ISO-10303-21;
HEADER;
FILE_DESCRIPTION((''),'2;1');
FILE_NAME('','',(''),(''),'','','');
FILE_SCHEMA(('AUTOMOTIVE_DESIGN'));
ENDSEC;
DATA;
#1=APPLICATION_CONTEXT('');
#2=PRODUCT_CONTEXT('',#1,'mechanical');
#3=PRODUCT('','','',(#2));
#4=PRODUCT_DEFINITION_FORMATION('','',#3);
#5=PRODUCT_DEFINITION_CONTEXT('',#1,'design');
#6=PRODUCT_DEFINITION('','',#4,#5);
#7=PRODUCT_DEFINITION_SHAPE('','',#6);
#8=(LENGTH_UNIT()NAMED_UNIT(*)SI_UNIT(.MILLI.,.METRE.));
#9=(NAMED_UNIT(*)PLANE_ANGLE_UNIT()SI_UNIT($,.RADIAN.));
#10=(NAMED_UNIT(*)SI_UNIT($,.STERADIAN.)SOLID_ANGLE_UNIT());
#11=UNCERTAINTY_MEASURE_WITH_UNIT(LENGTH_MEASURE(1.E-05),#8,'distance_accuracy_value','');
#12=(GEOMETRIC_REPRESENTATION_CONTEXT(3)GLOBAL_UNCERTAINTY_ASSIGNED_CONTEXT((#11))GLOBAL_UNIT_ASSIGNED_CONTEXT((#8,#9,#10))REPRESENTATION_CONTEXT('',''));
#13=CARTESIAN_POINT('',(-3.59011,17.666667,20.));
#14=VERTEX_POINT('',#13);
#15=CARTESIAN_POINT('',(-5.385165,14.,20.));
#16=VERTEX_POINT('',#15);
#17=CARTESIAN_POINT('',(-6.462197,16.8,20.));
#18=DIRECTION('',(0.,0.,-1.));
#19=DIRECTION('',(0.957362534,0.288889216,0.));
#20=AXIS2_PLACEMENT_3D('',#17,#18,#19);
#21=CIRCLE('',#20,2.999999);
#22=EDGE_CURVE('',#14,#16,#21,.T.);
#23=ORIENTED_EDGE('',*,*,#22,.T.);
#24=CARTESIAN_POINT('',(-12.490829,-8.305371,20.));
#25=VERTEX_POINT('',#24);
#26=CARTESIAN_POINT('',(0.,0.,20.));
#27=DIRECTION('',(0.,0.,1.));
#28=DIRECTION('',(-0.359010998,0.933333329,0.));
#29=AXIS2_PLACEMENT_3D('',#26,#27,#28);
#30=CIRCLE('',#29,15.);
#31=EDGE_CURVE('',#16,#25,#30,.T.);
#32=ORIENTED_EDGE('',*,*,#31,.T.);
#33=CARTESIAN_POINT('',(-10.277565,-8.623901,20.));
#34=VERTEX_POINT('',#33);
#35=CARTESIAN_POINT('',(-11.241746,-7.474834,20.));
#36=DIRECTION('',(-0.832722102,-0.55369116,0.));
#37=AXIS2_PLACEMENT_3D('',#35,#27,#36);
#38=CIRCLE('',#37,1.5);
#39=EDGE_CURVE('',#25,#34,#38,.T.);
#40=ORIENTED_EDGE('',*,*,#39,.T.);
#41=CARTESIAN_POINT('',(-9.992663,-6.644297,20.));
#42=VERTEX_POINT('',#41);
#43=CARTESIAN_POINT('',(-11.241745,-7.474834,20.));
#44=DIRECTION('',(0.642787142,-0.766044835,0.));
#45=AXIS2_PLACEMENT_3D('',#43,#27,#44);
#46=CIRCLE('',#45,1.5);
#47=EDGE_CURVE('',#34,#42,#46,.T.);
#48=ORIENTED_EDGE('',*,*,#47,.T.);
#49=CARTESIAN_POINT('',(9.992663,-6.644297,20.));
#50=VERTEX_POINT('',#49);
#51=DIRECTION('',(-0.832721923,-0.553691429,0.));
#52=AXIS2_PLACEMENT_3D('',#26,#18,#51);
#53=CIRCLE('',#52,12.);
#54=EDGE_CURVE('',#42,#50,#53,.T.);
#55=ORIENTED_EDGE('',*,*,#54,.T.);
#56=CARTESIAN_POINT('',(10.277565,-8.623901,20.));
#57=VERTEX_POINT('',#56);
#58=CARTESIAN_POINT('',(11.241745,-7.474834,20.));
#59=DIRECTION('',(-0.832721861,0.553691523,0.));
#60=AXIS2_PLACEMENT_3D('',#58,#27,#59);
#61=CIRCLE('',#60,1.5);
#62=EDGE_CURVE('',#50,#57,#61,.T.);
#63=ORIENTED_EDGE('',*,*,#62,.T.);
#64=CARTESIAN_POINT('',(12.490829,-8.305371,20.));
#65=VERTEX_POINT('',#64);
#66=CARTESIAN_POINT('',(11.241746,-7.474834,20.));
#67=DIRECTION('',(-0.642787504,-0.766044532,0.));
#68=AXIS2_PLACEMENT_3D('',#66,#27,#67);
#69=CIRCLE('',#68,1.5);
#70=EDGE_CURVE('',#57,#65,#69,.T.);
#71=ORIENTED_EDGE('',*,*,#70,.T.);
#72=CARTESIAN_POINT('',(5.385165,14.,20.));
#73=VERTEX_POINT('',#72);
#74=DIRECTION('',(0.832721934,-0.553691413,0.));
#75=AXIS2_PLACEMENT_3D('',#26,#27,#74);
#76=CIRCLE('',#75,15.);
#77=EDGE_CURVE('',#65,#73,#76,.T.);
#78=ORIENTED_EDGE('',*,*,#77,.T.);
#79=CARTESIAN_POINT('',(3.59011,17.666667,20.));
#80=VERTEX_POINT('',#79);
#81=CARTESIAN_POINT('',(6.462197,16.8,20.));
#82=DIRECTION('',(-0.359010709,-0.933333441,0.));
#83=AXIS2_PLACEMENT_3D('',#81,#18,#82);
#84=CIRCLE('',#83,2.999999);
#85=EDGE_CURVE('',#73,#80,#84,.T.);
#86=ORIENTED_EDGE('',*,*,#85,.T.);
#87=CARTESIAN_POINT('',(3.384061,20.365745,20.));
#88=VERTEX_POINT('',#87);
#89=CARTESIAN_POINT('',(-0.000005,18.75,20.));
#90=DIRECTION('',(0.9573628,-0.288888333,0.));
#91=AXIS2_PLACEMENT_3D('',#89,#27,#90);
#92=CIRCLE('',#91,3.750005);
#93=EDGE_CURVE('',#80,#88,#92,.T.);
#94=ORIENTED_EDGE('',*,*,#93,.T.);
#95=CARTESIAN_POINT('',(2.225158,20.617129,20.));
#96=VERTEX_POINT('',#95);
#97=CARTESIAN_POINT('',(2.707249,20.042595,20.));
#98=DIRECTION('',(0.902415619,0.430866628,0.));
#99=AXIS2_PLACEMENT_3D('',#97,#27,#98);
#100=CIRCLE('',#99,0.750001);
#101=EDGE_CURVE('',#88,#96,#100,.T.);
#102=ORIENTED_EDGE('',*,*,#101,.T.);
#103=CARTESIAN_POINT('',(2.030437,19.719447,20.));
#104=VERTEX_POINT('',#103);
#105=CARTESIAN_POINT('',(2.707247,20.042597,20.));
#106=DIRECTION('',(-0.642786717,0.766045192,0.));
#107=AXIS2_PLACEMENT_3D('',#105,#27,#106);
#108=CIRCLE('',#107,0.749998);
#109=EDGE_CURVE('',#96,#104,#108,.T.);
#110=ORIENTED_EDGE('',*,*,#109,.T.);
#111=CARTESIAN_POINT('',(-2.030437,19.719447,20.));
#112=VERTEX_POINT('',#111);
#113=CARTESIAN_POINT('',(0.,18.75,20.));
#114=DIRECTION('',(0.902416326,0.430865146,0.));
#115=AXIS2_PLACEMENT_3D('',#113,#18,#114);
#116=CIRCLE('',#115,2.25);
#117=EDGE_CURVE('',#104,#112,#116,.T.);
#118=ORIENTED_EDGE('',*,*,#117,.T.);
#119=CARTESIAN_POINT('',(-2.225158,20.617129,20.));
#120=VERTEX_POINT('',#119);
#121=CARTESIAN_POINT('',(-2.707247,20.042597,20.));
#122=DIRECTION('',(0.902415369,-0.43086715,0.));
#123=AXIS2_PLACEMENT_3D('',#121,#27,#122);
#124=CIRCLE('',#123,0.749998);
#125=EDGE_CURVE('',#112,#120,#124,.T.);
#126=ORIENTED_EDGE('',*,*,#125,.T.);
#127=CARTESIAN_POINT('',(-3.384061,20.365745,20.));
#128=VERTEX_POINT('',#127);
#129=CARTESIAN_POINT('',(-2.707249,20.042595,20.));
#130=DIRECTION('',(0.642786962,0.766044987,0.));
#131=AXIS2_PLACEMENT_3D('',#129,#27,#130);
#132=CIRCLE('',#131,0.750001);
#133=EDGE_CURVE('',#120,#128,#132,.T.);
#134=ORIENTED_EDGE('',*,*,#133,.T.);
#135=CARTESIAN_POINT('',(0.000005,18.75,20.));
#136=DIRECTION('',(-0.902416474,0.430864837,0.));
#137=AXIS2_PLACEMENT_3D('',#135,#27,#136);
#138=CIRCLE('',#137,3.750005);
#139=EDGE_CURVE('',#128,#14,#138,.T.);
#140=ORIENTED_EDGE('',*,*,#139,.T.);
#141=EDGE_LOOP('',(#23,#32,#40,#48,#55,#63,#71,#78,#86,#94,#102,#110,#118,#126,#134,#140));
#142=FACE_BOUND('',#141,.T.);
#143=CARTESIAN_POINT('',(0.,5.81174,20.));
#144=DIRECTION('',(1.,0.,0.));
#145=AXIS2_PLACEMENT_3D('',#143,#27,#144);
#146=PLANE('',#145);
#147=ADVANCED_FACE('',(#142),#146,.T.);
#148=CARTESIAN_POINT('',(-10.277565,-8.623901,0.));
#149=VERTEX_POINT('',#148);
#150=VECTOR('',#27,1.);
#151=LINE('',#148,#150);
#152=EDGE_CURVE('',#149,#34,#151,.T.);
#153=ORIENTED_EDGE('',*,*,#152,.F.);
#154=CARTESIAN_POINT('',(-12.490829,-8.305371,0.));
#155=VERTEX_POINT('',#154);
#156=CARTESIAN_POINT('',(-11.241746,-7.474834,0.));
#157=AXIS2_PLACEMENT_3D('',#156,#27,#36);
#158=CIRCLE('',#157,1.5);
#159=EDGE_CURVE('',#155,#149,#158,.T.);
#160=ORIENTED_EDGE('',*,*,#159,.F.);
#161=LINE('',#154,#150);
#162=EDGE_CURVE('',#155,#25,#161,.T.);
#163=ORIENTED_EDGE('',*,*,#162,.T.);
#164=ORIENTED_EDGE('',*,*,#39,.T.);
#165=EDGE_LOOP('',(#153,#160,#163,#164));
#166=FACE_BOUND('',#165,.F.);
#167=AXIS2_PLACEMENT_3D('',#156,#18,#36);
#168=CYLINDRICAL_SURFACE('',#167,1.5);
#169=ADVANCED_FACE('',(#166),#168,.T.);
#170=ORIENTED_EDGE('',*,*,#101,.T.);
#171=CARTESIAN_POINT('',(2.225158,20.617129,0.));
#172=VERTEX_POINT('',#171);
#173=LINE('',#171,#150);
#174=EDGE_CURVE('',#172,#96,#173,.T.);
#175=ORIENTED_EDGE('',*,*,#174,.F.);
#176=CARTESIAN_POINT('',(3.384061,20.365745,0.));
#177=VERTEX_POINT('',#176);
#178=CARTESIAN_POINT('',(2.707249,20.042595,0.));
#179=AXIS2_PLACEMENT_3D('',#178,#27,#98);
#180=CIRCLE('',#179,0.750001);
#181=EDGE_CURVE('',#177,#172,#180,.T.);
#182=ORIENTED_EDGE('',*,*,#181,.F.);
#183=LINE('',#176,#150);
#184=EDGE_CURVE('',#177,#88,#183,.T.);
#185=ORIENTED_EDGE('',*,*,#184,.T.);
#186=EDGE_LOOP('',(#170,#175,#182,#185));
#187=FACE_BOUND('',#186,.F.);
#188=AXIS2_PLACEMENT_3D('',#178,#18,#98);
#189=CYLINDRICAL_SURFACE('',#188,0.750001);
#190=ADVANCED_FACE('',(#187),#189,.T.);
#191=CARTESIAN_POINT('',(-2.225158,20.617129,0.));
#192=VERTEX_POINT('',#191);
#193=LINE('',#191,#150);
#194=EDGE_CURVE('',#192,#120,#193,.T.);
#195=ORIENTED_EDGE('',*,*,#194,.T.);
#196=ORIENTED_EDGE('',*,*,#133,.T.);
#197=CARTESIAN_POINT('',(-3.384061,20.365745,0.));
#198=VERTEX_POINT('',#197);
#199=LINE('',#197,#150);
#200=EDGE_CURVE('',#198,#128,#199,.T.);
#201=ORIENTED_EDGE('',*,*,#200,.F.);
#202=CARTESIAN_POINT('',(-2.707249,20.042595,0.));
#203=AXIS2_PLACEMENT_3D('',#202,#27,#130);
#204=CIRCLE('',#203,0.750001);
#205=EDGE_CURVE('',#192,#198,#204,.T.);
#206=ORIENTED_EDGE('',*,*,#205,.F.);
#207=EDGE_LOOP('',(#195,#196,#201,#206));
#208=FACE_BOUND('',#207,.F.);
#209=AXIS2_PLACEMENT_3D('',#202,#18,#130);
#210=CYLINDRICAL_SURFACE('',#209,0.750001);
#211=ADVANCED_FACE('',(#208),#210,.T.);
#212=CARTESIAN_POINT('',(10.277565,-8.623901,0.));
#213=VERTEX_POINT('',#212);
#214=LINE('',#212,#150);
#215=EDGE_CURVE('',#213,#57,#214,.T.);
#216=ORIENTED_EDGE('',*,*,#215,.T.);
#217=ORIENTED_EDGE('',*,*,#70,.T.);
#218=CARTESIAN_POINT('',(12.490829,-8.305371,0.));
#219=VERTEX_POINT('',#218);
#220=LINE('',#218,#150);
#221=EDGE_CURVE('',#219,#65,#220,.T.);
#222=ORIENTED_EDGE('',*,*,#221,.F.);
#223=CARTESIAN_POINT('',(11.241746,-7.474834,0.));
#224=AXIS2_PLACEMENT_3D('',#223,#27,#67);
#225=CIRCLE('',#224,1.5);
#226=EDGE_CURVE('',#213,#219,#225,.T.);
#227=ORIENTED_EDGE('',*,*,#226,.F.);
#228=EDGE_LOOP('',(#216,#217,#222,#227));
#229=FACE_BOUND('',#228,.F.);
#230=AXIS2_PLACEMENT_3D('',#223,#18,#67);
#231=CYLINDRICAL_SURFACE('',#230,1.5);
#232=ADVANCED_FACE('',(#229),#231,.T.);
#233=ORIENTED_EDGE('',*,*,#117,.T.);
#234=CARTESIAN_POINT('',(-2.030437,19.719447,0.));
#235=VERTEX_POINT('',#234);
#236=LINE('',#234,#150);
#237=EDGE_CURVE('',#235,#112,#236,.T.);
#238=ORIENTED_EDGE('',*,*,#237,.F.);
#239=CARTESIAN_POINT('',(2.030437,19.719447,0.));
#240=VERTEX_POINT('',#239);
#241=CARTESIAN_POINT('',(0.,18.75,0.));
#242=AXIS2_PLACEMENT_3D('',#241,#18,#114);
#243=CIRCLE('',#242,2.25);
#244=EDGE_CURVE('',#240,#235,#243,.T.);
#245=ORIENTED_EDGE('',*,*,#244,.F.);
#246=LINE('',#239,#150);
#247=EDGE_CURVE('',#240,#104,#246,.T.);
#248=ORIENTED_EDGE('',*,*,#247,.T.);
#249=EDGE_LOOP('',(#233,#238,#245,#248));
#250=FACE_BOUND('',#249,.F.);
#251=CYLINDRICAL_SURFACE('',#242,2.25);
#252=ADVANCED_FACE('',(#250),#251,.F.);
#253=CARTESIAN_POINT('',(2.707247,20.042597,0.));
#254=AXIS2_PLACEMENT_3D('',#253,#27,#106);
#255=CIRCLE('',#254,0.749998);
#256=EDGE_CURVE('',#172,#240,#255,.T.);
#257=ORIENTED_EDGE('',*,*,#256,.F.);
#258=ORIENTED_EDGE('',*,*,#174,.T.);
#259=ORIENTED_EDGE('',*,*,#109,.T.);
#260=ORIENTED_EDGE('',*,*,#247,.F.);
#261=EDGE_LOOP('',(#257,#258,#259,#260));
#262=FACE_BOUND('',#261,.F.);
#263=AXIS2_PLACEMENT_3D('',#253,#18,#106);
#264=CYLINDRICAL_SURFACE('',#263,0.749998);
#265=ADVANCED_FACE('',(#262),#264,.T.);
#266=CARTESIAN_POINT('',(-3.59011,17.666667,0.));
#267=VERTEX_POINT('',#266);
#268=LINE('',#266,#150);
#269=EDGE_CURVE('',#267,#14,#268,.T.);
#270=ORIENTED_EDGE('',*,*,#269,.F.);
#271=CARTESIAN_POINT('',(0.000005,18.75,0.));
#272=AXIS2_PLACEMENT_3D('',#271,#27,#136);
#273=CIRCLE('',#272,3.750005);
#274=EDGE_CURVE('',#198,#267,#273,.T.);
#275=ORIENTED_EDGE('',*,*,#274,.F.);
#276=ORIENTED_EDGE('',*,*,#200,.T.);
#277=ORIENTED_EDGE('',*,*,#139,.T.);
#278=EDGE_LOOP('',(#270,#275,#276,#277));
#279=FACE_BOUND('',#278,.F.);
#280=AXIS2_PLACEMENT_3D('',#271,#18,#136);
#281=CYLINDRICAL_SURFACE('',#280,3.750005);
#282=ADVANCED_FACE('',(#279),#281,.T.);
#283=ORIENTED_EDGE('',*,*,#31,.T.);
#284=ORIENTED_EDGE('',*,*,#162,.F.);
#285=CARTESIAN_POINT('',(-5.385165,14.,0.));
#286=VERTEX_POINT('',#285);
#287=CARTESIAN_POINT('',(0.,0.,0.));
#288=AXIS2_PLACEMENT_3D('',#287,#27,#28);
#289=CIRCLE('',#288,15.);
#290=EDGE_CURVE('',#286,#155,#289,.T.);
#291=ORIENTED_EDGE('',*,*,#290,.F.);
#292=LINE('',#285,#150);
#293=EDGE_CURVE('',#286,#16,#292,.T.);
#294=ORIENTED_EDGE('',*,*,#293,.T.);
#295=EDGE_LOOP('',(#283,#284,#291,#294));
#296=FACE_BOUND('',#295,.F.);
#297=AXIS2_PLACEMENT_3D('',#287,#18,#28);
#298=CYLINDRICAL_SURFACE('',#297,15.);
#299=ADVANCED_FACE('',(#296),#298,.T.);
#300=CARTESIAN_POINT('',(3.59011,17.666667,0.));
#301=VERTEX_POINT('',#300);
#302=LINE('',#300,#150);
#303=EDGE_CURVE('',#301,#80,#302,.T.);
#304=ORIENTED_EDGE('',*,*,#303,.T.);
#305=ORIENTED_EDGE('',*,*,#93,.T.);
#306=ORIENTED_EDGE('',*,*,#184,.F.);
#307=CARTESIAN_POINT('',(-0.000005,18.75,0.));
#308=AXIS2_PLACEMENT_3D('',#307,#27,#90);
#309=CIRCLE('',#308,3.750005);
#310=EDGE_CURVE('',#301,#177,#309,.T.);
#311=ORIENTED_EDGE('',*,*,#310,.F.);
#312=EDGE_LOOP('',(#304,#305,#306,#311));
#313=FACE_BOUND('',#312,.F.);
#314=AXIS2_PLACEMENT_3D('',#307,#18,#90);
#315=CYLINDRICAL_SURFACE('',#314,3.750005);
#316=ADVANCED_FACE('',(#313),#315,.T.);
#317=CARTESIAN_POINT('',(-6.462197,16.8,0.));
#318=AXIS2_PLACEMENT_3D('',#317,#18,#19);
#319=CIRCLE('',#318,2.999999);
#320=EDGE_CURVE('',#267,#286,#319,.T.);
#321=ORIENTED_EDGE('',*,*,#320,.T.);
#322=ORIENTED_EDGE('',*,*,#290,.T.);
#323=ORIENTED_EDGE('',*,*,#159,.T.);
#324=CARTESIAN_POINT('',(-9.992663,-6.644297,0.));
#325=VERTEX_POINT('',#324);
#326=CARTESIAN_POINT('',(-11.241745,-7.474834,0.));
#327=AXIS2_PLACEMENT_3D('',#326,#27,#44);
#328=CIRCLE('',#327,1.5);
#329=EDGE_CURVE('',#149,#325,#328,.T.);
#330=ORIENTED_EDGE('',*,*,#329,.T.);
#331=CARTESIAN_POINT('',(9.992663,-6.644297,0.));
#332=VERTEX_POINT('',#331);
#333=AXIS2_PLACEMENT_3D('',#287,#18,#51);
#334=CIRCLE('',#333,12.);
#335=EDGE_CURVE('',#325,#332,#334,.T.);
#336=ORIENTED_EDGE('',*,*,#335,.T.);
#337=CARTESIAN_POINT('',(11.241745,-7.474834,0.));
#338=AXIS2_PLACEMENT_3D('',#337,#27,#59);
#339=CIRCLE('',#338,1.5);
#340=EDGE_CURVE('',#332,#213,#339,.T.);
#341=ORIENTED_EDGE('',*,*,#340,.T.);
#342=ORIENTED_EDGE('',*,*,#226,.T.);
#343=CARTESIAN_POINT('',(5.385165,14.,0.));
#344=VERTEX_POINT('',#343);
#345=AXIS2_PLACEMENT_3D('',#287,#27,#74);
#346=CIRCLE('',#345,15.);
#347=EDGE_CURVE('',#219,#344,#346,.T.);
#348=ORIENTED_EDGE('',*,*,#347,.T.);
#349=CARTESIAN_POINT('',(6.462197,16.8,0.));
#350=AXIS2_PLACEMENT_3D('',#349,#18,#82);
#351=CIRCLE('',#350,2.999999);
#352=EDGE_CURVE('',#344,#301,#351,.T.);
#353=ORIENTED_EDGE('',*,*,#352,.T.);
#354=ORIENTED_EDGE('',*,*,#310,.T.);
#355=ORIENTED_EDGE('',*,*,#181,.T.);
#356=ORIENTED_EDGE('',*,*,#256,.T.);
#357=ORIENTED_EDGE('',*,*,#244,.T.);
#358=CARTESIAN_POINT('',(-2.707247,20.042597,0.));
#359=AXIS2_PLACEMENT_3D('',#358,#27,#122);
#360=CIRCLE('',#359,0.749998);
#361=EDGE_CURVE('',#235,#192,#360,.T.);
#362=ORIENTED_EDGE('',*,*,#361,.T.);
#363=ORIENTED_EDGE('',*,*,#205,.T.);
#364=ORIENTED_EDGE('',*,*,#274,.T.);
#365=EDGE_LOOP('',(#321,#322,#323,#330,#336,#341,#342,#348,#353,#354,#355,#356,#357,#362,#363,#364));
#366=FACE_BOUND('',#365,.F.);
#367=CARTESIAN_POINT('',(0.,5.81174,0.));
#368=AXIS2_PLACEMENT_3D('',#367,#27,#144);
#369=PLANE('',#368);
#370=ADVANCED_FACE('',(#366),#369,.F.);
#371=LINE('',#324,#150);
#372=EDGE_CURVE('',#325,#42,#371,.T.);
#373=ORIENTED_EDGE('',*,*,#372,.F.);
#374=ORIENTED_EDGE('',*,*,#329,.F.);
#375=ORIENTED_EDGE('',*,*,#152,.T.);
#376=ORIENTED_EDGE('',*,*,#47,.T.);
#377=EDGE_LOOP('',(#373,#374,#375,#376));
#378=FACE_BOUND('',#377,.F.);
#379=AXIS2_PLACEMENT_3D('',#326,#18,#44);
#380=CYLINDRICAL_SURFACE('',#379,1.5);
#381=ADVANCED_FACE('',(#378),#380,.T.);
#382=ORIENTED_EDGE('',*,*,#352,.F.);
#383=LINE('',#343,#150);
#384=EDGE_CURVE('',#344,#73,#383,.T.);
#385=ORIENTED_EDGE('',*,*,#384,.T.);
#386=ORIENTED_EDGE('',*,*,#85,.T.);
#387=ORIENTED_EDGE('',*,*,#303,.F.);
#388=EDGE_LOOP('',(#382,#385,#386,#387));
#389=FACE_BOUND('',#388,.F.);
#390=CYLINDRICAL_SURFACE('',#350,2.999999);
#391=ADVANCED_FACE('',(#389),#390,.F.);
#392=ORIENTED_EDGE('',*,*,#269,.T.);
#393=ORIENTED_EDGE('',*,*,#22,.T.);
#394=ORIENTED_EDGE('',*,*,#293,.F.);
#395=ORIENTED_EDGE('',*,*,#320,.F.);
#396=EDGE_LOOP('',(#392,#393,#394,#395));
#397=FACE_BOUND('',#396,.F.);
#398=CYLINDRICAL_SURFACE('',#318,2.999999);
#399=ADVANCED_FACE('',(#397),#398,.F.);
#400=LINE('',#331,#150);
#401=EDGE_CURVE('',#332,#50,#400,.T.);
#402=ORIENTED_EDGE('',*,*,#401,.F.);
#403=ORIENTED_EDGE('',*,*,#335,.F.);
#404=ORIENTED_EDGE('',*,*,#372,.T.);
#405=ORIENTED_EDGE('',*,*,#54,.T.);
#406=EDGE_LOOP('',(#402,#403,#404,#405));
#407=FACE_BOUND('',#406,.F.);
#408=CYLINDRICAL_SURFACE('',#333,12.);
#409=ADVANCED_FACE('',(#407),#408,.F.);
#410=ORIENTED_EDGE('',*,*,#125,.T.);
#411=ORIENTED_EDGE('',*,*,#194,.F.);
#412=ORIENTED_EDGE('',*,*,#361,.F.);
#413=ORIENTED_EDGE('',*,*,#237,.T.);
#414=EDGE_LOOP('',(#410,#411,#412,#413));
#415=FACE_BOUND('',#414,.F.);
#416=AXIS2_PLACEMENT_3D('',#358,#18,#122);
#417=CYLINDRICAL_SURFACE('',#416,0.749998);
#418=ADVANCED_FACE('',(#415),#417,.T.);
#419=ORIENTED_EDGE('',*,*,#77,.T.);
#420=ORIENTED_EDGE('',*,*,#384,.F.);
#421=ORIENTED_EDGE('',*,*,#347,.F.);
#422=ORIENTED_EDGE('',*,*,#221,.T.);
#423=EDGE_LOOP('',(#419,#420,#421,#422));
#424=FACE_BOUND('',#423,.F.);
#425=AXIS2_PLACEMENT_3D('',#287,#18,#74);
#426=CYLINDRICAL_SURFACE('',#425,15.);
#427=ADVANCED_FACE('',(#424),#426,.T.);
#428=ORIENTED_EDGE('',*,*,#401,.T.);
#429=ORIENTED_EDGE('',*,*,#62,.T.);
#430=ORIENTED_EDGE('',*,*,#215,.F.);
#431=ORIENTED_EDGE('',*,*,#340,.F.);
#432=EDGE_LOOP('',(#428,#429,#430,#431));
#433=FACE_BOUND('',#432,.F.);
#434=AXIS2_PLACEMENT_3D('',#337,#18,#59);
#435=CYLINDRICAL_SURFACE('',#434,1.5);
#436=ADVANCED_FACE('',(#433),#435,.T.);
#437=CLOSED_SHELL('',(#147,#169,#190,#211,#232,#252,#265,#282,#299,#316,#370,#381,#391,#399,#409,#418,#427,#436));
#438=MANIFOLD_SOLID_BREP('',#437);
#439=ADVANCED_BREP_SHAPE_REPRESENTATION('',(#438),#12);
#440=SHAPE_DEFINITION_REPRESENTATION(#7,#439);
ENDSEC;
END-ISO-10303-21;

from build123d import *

# Parameters (mm, degrees)
F1_DEPTH = 20


with BuildPart() as f1:
    # F0 (on Top) → F1 (new body)
    with BuildSketch(Plane.XY):
        with BuildLine():
            ThreePointArc((-9.992663, -6.644297), (0, 12), (9.992663, -6.644297))
            ThreePointArc((9.992663, -6.644297), (9.757043, -7.68851), (10.277565, -8.623901))
            ThreePointArc((10.277565, -8.623901), (11.455422, -8.959537), (12.490829, -8.305371))
            ThreePointArc((12.490829, -8.305371), (14.292312, 4.553001), (5.385165, 14))
            ThreePointArc((5.385165, 14), (3.767759, 15.480909), (3.59011, 17.666667))
            ThreePointArc((3.59011, 17.666667), (3.73912, 19.035446), (3.384061, 20.365745))
            ThreePointArc((3.384061, 20.365745), (2.866238, 20.77555), (2.225158, 20.617129))
            ThreePointArc((2.225158, 20.617129), (1.974294, 20.201585), (2.030437, 19.719447))
            ThreePointArc((2.030437, 19.719447), (0, 16.5), (-2.030437, 19.719447))
            ThreePointArc((-2.030437, 19.719447), (-1.974294, 20.201585), (-2.225158, 20.617129))
            ThreePointArc((-2.225158, 20.617129), (-2.866238, 20.77555), (-3.384061, 20.365745))
            ThreePointArc((-3.384061, 20.365745), (-3.73912, 19.035446), (-3.59011, 17.666667))
            ThreePointArc((-3.59011, 17.666667), (-3.767759, 15.480909), (-5.385165, 14))
            ThreePointArc((-5.385165, 14), (-14.292312, 4.553001), (-12.490829, -8.305371))
            ThreePointArc((-12.490829, -8.305371), (-11.455422, -8.959537), (-10.277565, -8.623901))
            ThreePointArc((-10.277565, -8.623901), (-9.757043, -7.68851), (-9.992663, -6.644297))
        make_face()
    extrude(amount=F1_DEPTH)


solid = f1.part
